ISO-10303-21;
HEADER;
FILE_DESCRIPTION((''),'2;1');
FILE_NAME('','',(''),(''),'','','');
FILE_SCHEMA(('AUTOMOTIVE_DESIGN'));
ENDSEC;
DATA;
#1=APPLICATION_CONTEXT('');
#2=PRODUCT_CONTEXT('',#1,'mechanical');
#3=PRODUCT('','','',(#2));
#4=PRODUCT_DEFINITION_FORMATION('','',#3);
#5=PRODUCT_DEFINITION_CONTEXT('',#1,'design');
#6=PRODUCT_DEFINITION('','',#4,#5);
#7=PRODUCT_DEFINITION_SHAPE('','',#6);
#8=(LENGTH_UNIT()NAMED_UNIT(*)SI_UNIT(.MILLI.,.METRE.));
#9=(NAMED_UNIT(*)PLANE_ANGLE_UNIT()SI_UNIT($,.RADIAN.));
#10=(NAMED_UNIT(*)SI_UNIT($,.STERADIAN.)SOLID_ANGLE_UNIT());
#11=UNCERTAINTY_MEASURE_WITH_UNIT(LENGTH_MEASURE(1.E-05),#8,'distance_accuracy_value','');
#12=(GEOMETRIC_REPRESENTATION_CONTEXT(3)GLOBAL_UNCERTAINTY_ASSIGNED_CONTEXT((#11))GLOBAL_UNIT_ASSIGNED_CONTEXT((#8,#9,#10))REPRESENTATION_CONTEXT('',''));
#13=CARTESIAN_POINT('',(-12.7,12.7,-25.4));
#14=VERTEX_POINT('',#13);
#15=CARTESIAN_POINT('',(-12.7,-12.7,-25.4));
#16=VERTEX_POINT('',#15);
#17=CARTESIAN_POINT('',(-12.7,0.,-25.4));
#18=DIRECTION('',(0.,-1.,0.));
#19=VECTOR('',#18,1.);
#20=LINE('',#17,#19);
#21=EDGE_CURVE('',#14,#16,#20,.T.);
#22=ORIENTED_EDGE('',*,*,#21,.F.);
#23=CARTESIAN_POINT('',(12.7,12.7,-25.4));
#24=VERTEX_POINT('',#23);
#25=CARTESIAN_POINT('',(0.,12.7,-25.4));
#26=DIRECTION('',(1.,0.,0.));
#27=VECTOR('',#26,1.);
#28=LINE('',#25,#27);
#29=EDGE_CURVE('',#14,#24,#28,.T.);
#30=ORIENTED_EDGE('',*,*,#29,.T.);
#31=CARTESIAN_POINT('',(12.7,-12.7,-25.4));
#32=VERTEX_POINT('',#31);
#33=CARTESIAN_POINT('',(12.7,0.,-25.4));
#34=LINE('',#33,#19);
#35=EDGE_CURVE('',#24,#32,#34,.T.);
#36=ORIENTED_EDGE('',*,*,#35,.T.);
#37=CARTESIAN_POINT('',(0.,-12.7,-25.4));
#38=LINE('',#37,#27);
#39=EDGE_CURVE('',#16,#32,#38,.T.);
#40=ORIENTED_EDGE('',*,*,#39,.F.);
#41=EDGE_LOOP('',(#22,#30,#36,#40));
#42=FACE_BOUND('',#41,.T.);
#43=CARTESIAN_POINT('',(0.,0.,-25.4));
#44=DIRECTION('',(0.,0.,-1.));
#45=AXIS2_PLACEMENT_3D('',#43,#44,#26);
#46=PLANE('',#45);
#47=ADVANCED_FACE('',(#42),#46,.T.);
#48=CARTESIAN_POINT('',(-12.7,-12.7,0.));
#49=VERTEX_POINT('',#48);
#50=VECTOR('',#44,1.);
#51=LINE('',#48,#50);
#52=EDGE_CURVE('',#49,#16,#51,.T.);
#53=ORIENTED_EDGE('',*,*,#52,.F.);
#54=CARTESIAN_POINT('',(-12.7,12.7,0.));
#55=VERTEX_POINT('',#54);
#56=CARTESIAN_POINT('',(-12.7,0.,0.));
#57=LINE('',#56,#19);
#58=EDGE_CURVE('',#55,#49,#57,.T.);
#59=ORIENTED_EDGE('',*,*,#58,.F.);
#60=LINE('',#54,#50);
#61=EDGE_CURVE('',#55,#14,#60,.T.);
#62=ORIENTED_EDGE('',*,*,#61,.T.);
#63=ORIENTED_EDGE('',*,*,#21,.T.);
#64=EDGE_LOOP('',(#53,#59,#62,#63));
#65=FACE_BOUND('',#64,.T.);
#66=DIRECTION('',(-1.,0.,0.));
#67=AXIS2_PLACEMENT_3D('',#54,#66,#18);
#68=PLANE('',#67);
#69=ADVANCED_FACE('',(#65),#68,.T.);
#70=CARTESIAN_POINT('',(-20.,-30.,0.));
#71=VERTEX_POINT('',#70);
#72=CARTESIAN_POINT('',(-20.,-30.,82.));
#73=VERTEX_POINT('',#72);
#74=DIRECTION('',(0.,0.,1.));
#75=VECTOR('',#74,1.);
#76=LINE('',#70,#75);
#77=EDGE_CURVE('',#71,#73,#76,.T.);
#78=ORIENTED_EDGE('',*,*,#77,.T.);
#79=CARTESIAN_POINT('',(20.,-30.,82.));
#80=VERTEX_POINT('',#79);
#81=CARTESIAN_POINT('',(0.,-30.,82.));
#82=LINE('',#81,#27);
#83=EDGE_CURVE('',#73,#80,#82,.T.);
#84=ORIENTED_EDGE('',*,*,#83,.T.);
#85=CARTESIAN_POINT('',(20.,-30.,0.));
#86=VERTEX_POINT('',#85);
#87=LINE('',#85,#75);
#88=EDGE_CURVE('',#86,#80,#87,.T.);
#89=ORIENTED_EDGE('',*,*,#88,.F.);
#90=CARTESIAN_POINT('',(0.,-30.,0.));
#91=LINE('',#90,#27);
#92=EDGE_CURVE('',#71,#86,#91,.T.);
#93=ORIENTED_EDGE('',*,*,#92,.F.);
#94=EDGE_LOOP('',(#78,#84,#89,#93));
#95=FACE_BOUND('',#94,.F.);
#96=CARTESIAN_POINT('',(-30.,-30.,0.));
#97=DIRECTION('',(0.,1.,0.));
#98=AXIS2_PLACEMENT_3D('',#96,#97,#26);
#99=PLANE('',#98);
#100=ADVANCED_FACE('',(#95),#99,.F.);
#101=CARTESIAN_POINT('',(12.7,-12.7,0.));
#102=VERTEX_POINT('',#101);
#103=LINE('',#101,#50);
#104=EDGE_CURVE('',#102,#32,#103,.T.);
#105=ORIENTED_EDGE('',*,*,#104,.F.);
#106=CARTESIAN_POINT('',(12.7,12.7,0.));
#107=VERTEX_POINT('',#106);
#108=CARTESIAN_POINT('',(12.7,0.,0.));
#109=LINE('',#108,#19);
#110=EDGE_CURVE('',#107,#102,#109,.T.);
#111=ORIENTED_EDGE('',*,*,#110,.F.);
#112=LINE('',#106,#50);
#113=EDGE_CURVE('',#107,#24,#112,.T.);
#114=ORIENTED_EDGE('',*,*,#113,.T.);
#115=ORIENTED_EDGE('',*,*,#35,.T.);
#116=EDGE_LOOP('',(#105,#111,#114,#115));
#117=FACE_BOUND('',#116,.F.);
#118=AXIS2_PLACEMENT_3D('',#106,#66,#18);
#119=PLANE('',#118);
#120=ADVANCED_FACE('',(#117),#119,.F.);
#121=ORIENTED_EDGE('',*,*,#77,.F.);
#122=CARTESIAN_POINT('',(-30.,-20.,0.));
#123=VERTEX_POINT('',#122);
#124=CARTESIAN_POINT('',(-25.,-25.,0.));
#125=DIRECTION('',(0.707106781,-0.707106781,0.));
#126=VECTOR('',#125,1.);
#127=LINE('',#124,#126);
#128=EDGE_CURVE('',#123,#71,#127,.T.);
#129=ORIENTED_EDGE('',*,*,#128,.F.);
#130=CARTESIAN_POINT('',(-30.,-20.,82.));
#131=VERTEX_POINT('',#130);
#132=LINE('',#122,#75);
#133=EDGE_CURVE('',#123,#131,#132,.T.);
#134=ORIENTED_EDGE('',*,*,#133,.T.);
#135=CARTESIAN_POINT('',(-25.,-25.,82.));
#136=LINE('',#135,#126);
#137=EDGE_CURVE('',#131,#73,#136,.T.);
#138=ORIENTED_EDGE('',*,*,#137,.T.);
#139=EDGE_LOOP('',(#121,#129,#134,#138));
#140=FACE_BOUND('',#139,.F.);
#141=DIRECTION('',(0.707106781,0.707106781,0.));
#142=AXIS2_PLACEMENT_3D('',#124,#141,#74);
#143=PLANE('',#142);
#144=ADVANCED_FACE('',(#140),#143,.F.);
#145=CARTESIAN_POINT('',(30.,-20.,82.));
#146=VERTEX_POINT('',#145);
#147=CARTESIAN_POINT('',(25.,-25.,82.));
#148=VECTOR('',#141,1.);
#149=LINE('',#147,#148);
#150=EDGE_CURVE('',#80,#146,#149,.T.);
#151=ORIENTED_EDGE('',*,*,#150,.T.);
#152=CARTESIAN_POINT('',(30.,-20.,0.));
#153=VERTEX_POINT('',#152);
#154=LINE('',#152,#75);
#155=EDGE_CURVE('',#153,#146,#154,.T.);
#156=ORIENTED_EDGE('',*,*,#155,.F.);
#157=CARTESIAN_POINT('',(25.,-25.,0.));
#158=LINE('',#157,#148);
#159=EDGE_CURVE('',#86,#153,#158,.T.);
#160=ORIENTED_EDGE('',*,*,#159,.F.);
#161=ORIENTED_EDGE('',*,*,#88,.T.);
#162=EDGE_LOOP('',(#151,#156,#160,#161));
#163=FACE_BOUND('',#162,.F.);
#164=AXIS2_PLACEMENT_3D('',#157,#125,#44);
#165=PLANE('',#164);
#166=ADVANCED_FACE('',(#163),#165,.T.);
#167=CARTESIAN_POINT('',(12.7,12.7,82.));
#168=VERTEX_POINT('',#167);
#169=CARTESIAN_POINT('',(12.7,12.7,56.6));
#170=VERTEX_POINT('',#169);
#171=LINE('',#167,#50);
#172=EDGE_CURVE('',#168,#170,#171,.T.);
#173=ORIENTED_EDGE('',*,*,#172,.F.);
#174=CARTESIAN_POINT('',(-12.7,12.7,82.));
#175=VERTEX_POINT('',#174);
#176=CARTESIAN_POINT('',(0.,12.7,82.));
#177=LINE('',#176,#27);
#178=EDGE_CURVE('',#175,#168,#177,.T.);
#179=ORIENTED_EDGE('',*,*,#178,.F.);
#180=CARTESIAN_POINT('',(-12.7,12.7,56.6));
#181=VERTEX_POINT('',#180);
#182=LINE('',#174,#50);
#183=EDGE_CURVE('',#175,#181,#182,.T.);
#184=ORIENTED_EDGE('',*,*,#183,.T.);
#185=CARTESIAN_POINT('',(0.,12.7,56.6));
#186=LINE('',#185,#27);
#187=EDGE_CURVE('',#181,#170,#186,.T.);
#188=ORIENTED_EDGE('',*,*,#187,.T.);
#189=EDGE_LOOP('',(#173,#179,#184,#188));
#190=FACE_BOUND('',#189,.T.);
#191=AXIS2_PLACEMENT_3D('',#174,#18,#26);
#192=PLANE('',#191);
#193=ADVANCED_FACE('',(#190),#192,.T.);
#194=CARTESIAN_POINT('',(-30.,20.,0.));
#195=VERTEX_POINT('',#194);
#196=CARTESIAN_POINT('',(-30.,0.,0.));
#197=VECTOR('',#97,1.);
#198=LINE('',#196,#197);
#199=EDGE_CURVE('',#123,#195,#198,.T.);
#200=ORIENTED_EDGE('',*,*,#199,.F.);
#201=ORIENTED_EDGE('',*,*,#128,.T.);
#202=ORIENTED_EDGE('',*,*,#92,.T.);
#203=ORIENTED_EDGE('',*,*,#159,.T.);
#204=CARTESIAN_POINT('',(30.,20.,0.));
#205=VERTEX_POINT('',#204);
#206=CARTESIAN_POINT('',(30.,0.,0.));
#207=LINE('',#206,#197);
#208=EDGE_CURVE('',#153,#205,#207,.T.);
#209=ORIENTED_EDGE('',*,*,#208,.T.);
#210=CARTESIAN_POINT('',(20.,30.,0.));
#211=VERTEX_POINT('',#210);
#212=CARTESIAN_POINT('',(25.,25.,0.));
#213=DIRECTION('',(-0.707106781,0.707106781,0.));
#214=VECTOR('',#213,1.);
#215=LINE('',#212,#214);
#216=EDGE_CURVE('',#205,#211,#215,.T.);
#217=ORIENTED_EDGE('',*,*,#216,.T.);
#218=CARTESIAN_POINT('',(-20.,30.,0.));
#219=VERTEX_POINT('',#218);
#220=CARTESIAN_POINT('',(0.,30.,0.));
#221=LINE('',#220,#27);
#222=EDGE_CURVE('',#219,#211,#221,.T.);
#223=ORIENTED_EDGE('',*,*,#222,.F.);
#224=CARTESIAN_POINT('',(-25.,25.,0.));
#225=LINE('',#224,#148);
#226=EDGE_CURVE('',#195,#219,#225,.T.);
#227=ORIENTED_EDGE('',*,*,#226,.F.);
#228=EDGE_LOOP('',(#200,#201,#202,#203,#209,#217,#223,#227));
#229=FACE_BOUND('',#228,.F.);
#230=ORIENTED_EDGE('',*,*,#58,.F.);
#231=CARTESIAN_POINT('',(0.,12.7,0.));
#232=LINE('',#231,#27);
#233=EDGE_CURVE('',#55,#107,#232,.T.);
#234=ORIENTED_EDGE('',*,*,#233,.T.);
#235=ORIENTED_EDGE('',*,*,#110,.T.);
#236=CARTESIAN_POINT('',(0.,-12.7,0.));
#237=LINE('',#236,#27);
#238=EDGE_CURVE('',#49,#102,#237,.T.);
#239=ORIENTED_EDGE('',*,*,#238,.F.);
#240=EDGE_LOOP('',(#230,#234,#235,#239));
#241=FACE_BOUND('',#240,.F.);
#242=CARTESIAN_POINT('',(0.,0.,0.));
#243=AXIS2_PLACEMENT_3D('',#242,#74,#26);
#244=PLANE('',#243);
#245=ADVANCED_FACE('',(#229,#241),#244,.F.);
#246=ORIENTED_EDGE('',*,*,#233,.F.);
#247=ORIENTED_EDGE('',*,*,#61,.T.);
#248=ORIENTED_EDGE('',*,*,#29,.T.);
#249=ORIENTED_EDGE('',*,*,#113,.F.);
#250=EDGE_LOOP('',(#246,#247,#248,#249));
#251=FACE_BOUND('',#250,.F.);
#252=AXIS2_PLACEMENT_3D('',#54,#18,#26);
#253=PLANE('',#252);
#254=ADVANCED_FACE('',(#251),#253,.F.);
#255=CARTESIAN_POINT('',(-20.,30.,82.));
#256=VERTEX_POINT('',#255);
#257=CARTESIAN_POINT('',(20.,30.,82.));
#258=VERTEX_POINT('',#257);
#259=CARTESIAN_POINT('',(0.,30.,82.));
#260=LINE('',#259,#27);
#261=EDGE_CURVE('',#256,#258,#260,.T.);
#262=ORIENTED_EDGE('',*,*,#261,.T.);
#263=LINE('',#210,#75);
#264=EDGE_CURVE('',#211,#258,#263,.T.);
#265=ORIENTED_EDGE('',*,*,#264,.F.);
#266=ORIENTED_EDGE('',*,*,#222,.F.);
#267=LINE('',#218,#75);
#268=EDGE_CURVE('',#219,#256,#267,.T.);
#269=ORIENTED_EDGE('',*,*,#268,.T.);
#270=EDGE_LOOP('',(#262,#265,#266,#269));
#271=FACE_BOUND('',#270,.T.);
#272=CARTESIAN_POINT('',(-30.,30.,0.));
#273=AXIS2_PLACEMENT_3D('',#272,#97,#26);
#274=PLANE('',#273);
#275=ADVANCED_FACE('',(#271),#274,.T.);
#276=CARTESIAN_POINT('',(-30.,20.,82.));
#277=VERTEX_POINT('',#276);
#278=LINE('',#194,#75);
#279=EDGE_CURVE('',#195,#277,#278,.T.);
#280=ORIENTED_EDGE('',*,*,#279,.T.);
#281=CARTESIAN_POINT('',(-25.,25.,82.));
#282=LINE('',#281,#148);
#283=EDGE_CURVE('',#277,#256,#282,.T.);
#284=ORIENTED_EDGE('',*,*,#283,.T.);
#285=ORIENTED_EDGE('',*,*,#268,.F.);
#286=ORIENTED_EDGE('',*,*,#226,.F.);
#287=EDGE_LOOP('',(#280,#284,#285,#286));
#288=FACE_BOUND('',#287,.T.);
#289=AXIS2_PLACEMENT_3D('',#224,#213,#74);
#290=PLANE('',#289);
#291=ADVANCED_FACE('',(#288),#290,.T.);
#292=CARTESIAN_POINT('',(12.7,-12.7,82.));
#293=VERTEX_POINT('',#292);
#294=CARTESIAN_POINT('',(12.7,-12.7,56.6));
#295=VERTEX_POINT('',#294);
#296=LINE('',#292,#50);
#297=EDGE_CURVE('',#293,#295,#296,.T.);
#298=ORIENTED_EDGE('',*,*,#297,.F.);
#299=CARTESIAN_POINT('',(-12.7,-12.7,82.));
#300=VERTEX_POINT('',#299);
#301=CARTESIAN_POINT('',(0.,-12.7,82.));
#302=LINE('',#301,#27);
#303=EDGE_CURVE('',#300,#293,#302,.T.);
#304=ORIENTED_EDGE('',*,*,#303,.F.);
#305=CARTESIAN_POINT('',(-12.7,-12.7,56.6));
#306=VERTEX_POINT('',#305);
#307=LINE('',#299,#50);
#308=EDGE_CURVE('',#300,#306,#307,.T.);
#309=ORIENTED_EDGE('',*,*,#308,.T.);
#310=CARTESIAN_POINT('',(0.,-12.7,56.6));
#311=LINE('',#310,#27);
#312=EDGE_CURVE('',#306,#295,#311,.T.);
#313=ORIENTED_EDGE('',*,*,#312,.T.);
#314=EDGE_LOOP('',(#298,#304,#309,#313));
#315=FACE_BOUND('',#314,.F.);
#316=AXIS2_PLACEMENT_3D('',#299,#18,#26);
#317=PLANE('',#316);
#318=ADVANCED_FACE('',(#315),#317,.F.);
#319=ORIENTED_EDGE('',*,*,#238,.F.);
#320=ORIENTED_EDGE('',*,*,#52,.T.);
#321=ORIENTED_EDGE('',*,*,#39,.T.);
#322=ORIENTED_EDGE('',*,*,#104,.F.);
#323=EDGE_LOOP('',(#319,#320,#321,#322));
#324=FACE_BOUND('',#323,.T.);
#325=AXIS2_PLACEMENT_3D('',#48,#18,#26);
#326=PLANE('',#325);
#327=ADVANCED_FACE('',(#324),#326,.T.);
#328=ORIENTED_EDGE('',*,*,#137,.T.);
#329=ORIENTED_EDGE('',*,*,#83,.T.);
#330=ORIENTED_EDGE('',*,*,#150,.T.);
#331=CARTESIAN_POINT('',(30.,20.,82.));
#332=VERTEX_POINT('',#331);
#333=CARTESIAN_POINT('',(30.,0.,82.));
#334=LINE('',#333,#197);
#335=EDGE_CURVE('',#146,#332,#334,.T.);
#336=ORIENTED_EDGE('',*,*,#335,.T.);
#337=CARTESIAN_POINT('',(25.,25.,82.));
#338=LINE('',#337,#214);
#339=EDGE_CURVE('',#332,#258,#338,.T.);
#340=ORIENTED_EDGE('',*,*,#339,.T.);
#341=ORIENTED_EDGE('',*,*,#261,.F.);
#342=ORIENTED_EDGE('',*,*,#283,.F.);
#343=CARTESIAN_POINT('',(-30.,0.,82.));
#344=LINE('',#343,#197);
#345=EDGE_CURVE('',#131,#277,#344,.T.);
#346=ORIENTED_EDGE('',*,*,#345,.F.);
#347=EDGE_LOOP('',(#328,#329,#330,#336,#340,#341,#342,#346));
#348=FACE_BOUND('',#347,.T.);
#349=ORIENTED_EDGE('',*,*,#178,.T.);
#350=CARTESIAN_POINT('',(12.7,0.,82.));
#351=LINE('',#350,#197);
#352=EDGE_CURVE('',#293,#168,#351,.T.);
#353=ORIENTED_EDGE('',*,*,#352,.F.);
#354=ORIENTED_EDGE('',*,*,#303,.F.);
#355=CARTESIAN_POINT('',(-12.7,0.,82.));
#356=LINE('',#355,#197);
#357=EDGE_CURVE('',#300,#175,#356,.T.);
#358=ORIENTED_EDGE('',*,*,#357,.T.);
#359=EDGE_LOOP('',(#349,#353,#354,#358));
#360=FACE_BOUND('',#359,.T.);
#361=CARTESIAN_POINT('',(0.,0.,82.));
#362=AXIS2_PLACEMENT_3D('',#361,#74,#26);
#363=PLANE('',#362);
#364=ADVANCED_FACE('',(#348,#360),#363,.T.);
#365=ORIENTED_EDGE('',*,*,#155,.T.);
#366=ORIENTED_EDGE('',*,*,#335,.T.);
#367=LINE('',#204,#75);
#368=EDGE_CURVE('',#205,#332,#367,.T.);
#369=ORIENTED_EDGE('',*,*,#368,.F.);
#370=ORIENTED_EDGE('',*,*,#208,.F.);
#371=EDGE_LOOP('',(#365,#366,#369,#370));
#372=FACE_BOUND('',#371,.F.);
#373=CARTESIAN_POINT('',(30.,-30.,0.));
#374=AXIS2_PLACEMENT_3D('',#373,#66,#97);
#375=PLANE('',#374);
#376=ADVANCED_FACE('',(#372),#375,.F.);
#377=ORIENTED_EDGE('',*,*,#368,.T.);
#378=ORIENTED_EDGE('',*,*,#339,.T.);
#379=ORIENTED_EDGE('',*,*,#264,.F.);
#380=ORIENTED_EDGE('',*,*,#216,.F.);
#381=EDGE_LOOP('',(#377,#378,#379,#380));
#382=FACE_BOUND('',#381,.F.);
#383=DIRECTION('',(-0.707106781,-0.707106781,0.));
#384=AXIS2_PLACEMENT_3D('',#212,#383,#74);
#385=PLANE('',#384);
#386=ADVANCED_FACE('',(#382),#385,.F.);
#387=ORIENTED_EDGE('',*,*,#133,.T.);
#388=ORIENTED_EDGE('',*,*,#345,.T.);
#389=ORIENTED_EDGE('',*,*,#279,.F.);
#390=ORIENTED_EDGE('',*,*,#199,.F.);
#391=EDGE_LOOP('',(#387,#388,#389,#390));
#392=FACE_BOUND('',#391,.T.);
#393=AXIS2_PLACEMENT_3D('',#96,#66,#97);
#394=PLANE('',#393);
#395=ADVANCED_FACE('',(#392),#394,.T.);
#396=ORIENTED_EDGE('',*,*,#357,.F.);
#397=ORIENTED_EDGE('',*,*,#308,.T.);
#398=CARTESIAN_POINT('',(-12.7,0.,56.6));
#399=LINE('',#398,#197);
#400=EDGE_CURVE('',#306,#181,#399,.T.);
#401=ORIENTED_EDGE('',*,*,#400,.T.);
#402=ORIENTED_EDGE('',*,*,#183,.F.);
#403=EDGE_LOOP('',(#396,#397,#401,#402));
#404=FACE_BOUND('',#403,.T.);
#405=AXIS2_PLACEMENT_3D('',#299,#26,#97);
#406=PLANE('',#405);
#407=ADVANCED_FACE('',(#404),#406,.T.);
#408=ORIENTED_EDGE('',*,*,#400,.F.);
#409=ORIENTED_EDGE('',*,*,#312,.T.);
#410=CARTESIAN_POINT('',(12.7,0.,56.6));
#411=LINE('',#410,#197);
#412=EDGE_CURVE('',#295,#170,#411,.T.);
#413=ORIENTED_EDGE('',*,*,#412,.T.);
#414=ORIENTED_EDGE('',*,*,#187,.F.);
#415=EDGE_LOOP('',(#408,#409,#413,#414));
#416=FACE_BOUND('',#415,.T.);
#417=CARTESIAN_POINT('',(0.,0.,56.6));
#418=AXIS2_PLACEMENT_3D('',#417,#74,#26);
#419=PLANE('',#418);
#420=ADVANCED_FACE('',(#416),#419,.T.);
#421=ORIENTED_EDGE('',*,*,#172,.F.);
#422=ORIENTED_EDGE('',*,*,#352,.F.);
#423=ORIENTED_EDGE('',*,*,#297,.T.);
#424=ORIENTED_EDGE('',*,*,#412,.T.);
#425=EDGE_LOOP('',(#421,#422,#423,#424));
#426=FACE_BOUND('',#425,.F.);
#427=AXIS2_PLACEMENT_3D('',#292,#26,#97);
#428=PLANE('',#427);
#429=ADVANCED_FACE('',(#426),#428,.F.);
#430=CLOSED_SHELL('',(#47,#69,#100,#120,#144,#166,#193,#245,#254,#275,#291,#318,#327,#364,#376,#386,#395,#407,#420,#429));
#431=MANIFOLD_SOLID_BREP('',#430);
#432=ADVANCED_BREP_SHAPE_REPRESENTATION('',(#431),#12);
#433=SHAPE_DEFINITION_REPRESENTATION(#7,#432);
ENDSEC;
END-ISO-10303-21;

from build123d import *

# Parameters (mm, degrees)
F0_W     = 60
F0_H     = 60
F1_DEPTH = 82
F2_SIZE  = 10
F3_W     = 25.4
F3_H     = 25.4
F4_DEPTH = 25.4
F5_W     = 25.4
F5_H     = 25.4
F6_DEPTH = 25.4


with BuildPart() as f1:
    # F0 (on Top) → F1 (new body)
    with BuildSketch(Plane.XY):
        Rectangle(F0_W, F0_H)
    extrude(amount=F1_DEPTH)

    # F2
    f2_edges = [f1.edges().sort_by_distance(p)[0] for p in [
        (30, -30, 41),
        (30, 30, 41),
        (-30, -30, 41),
        (-30, 30, 41),
    ]]
    chamfer(f2_edges, length=F2_SIZE)

    # F3 (on face) → F4 (cut)
    with BuildSketch(Plane.XY.offset(82)):
        Rectangle(F3_W, F3_H)
    extrude(amount=-F4_DEPTH, mode=Mode.SUBTRACT)

    # F5 (on face) → F6 (join)
    with BuildSketch(Plane(origin=(0, 0, 0), x_dir=(1, 0, 0), z_dir=(0, 0, -1))):
        Rectangle(F5_W, F5_H)
    extrude(amount=F6_DEPTH)


solid = f1.part
